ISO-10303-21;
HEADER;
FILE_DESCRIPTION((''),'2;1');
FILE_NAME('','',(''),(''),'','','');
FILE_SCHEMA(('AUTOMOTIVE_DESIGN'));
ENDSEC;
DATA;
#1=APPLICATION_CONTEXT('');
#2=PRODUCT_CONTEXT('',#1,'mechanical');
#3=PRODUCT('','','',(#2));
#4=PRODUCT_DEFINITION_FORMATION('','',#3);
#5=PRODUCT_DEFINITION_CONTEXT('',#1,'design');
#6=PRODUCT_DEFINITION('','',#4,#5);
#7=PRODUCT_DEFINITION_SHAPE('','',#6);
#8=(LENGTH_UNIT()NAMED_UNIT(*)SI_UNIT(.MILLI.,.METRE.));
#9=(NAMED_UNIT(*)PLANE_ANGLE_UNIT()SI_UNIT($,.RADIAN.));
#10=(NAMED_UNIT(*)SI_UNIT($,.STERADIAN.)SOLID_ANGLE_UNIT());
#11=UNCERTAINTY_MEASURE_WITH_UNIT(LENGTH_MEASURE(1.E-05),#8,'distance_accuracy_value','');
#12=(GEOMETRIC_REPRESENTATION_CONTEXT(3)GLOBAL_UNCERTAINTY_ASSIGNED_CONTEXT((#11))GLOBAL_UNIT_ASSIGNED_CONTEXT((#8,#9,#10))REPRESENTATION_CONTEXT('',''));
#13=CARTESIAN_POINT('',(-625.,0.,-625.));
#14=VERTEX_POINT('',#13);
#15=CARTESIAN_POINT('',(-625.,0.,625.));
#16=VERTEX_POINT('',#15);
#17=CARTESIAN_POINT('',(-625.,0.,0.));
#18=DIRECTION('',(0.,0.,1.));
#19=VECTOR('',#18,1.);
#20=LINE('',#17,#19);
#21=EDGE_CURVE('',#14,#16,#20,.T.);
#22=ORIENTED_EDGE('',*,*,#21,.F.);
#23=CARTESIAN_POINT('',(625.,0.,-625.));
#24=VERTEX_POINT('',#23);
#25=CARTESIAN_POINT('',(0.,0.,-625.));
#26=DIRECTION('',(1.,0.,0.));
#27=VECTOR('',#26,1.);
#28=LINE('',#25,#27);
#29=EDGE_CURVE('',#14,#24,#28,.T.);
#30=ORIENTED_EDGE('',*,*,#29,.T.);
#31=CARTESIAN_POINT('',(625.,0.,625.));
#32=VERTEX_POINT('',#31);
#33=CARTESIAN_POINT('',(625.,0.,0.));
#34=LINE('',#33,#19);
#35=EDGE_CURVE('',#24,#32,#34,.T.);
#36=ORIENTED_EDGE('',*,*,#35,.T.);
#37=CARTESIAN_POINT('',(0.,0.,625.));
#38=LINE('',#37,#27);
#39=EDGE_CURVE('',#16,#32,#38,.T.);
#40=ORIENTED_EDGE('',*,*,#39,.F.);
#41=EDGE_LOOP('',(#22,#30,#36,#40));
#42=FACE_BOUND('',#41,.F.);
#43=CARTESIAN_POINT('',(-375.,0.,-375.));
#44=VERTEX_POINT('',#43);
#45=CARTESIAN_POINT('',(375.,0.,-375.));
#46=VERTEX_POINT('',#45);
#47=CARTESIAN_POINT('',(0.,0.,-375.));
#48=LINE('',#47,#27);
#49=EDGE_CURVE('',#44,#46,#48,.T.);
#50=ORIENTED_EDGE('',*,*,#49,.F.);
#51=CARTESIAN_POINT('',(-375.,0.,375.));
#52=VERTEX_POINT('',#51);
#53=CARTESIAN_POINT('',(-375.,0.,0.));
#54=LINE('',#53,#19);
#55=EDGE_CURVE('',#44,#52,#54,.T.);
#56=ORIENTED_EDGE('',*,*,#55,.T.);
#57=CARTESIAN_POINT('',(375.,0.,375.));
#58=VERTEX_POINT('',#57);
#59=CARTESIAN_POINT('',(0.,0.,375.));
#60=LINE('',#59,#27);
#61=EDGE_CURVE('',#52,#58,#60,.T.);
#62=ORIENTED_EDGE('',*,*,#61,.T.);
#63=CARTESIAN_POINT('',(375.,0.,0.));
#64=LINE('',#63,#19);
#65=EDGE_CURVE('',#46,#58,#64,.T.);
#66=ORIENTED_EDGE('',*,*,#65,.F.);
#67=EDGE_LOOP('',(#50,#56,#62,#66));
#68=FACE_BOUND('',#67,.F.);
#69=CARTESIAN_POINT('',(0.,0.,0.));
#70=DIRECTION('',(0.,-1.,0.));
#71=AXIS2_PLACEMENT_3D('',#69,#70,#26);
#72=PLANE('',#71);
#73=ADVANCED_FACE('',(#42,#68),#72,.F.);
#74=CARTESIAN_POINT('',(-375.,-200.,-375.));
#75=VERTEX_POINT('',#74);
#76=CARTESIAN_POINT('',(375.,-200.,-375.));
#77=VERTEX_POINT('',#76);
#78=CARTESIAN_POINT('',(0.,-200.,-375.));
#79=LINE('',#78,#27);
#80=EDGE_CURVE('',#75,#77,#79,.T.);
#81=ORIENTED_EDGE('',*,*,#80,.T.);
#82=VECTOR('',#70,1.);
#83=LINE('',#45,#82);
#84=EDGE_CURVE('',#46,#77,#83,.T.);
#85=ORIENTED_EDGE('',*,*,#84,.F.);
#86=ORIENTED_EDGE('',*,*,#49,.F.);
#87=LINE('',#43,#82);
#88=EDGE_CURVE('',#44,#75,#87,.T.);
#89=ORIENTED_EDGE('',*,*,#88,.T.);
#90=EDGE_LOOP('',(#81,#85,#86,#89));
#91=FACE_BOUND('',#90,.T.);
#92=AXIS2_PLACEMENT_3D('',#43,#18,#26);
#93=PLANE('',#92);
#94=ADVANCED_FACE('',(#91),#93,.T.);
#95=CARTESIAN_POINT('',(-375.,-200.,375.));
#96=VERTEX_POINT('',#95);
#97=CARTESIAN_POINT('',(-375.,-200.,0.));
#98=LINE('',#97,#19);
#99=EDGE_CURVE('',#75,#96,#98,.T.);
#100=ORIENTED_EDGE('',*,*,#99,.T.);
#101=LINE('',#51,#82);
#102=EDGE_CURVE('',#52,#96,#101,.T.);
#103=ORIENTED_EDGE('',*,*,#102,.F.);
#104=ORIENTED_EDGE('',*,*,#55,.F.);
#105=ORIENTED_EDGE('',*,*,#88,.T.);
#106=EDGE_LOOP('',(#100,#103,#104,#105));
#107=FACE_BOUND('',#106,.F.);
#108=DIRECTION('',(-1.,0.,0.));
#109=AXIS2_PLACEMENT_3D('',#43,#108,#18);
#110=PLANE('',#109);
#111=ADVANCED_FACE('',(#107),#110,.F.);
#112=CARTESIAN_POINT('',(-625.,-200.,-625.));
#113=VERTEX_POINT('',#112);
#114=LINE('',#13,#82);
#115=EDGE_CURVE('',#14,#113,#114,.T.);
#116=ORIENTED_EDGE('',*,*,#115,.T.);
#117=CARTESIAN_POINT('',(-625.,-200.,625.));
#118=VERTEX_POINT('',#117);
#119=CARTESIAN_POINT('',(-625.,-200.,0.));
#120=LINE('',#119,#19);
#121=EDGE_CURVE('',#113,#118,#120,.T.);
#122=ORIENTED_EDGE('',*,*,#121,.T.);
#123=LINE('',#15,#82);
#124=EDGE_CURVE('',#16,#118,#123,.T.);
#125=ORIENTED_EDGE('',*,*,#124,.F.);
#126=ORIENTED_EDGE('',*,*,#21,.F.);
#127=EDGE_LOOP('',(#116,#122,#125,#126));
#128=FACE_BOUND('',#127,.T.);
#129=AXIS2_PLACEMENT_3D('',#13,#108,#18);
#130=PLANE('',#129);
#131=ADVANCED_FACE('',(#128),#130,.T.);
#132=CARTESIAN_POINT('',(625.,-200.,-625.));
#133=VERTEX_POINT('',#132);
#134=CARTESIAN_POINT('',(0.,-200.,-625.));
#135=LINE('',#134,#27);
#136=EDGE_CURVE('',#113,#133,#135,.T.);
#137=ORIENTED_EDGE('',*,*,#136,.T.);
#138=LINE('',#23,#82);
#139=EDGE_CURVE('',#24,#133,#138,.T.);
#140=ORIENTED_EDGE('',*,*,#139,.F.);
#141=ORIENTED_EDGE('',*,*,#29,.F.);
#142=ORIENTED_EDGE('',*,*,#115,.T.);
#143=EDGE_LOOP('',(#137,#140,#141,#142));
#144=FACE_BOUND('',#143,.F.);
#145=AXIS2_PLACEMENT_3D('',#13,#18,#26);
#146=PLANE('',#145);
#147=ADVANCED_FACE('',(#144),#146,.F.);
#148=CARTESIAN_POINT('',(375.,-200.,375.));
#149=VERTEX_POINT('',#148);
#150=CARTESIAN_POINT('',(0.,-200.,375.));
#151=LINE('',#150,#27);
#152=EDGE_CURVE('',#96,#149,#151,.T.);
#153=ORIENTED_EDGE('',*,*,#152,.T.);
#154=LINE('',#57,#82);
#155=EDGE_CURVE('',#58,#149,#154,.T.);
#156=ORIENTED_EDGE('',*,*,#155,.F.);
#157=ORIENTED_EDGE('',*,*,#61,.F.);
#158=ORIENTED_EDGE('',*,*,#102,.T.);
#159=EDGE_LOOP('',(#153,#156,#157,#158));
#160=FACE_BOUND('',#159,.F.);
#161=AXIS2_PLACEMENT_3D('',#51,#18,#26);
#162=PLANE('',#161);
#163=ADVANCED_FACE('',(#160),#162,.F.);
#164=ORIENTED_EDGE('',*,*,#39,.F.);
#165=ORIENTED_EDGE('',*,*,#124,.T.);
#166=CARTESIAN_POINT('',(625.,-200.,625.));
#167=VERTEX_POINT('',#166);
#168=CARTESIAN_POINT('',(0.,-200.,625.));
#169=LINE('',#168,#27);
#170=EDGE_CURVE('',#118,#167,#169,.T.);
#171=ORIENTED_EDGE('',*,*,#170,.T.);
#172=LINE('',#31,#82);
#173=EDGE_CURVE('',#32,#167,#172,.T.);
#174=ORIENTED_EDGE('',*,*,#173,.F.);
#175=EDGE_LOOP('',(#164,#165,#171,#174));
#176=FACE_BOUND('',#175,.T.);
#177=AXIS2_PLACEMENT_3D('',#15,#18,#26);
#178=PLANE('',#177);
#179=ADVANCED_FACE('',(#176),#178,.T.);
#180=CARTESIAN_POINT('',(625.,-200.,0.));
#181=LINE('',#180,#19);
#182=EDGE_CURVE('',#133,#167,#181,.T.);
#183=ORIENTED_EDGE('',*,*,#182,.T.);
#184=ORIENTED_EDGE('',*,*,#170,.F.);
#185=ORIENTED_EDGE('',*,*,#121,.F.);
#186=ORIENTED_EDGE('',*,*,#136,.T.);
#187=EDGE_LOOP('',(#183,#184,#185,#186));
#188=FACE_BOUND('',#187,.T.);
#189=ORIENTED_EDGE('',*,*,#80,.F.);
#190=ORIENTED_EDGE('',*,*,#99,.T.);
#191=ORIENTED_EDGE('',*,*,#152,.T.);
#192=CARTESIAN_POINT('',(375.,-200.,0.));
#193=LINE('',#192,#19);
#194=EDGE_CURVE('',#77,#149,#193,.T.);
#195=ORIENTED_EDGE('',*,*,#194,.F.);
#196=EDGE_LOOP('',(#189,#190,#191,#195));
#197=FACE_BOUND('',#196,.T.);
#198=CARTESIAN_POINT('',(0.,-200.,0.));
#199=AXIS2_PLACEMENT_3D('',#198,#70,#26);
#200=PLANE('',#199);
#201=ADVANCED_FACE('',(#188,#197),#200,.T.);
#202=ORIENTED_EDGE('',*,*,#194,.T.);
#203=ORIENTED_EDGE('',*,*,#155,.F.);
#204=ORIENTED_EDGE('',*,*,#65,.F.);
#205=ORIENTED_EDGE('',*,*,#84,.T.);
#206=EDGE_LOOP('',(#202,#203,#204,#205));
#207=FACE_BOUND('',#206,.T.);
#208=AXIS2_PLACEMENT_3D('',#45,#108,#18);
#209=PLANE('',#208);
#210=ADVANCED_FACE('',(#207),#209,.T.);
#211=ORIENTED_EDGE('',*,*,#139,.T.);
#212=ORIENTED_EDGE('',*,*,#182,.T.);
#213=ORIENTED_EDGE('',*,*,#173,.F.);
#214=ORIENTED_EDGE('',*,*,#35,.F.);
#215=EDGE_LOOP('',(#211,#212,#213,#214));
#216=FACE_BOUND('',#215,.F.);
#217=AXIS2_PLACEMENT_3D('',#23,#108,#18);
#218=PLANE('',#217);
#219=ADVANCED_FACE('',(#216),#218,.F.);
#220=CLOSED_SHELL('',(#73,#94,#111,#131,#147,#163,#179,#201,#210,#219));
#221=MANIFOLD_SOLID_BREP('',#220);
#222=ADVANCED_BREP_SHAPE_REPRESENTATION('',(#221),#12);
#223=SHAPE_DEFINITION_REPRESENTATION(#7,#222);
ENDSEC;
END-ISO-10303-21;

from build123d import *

# Parameters (mm, degrees)
SKETCH_W   = 1250
SKETCH_H   = 1250
SKETCH_W_2 = 750
SKETCH_H_2 = 750
PAD_DEPTH  = 200


with BuildPart() as part:
    # Sketch → Pad (new body)
    with BuildSketch(Plane.XZ):
        Rectangle(SKETCH_W, SKETCH_H)
        Rectangle(SKETCH_W_2, SKETCH_H_2, mode=Mode.SUBTRACT)
    extrude(amount=PAD_DEPTH)


solid = part.part
